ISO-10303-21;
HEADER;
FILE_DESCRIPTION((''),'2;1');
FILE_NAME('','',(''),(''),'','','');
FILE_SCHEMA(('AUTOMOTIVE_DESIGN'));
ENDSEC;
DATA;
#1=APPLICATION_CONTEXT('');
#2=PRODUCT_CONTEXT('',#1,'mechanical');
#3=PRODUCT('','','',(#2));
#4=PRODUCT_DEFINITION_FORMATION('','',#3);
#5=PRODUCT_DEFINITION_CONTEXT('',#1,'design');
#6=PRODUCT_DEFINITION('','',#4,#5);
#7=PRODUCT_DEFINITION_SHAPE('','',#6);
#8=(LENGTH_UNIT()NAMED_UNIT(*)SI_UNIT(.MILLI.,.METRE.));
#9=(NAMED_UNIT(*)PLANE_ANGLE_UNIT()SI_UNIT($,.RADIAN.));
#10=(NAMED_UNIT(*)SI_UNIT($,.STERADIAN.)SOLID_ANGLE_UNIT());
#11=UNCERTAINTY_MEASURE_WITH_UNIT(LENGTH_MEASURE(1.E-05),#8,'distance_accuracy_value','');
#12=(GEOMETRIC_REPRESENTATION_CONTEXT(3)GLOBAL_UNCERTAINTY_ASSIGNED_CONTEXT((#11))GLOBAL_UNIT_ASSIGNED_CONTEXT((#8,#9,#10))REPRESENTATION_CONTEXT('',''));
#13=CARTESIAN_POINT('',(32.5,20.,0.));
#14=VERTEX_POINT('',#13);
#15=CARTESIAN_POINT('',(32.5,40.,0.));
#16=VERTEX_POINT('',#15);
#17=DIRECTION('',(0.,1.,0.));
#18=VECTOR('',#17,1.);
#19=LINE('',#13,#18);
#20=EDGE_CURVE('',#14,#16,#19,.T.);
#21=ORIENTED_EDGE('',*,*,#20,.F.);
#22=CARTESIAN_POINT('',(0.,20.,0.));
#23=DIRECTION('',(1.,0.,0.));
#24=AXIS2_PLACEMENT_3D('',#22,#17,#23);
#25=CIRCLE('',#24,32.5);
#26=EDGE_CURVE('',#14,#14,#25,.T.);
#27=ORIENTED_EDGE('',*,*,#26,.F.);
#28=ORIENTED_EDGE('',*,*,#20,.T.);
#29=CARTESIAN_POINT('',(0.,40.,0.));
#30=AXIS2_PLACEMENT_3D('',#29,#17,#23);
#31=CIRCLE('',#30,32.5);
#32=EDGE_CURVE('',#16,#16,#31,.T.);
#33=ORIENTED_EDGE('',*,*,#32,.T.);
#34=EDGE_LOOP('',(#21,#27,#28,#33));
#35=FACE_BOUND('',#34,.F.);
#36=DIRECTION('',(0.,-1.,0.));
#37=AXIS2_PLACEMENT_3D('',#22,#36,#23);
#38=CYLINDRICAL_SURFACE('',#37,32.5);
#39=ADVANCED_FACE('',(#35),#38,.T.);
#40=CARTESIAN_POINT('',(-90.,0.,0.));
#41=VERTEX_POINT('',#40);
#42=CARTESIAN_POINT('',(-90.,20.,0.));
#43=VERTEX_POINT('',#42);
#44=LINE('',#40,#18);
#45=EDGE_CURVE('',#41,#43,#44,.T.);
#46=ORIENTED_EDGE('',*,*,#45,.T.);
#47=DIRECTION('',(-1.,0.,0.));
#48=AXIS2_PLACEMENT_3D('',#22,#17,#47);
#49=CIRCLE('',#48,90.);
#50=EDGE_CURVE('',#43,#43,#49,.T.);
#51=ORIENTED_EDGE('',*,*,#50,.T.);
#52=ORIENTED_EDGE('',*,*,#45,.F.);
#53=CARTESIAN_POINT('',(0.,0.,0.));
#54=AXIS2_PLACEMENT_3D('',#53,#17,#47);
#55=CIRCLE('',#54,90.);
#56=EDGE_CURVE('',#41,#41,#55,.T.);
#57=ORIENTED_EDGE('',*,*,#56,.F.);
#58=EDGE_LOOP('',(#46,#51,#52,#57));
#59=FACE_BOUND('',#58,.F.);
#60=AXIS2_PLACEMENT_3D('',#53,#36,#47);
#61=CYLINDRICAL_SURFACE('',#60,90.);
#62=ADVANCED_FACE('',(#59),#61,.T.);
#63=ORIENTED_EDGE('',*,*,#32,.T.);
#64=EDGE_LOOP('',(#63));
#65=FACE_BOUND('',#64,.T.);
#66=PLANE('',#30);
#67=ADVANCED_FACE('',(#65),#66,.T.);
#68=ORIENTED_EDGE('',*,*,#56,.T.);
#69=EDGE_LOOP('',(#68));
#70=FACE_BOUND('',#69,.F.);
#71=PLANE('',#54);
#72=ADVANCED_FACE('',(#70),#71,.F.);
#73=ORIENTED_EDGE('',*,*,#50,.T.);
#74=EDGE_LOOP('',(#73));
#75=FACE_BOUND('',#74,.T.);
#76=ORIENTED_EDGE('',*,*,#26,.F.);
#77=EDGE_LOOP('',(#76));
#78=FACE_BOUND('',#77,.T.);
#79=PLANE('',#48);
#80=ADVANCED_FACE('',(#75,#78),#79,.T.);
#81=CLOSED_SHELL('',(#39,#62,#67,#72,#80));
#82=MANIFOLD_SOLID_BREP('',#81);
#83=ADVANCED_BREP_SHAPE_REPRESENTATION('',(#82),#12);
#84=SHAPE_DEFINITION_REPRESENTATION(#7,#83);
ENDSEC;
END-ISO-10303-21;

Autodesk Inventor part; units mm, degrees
ref_plane "YZ Plane" through (0, 0, 0) normal (1, 0, 0) x (0, 1, 0)
ref_plane "XZ Plane" through (0, 0, 0) normal (0, 1, 0) x (-1, 0, 0)
ref_plane "XY Plane" through (0, 0, 0) normal (0, 0, 1) x (1, 0, 0)
sketch "Sketch1" plane through (0, 0, 0) normal (0, 1, 0) x (-1, 0, 0)
  circle A0 centre (0, 0) radius 90
  dimension "d0" = 180
extrude "Extrusion1" add sketch "Sketch1" along normal blind 20
sketch "Sketch2" plane through (0, 20, 0) normal (0, 1, 0) x (1, 0, 0)
  circle A0 centre (0, 0) radius 32.5
  dimension "d3" = 65
extrude "Extrusion2" add sketch "Sketch2" along normal blind 20
properties part number "B_axisColeso" material "Aluminum 6061-AHC"
